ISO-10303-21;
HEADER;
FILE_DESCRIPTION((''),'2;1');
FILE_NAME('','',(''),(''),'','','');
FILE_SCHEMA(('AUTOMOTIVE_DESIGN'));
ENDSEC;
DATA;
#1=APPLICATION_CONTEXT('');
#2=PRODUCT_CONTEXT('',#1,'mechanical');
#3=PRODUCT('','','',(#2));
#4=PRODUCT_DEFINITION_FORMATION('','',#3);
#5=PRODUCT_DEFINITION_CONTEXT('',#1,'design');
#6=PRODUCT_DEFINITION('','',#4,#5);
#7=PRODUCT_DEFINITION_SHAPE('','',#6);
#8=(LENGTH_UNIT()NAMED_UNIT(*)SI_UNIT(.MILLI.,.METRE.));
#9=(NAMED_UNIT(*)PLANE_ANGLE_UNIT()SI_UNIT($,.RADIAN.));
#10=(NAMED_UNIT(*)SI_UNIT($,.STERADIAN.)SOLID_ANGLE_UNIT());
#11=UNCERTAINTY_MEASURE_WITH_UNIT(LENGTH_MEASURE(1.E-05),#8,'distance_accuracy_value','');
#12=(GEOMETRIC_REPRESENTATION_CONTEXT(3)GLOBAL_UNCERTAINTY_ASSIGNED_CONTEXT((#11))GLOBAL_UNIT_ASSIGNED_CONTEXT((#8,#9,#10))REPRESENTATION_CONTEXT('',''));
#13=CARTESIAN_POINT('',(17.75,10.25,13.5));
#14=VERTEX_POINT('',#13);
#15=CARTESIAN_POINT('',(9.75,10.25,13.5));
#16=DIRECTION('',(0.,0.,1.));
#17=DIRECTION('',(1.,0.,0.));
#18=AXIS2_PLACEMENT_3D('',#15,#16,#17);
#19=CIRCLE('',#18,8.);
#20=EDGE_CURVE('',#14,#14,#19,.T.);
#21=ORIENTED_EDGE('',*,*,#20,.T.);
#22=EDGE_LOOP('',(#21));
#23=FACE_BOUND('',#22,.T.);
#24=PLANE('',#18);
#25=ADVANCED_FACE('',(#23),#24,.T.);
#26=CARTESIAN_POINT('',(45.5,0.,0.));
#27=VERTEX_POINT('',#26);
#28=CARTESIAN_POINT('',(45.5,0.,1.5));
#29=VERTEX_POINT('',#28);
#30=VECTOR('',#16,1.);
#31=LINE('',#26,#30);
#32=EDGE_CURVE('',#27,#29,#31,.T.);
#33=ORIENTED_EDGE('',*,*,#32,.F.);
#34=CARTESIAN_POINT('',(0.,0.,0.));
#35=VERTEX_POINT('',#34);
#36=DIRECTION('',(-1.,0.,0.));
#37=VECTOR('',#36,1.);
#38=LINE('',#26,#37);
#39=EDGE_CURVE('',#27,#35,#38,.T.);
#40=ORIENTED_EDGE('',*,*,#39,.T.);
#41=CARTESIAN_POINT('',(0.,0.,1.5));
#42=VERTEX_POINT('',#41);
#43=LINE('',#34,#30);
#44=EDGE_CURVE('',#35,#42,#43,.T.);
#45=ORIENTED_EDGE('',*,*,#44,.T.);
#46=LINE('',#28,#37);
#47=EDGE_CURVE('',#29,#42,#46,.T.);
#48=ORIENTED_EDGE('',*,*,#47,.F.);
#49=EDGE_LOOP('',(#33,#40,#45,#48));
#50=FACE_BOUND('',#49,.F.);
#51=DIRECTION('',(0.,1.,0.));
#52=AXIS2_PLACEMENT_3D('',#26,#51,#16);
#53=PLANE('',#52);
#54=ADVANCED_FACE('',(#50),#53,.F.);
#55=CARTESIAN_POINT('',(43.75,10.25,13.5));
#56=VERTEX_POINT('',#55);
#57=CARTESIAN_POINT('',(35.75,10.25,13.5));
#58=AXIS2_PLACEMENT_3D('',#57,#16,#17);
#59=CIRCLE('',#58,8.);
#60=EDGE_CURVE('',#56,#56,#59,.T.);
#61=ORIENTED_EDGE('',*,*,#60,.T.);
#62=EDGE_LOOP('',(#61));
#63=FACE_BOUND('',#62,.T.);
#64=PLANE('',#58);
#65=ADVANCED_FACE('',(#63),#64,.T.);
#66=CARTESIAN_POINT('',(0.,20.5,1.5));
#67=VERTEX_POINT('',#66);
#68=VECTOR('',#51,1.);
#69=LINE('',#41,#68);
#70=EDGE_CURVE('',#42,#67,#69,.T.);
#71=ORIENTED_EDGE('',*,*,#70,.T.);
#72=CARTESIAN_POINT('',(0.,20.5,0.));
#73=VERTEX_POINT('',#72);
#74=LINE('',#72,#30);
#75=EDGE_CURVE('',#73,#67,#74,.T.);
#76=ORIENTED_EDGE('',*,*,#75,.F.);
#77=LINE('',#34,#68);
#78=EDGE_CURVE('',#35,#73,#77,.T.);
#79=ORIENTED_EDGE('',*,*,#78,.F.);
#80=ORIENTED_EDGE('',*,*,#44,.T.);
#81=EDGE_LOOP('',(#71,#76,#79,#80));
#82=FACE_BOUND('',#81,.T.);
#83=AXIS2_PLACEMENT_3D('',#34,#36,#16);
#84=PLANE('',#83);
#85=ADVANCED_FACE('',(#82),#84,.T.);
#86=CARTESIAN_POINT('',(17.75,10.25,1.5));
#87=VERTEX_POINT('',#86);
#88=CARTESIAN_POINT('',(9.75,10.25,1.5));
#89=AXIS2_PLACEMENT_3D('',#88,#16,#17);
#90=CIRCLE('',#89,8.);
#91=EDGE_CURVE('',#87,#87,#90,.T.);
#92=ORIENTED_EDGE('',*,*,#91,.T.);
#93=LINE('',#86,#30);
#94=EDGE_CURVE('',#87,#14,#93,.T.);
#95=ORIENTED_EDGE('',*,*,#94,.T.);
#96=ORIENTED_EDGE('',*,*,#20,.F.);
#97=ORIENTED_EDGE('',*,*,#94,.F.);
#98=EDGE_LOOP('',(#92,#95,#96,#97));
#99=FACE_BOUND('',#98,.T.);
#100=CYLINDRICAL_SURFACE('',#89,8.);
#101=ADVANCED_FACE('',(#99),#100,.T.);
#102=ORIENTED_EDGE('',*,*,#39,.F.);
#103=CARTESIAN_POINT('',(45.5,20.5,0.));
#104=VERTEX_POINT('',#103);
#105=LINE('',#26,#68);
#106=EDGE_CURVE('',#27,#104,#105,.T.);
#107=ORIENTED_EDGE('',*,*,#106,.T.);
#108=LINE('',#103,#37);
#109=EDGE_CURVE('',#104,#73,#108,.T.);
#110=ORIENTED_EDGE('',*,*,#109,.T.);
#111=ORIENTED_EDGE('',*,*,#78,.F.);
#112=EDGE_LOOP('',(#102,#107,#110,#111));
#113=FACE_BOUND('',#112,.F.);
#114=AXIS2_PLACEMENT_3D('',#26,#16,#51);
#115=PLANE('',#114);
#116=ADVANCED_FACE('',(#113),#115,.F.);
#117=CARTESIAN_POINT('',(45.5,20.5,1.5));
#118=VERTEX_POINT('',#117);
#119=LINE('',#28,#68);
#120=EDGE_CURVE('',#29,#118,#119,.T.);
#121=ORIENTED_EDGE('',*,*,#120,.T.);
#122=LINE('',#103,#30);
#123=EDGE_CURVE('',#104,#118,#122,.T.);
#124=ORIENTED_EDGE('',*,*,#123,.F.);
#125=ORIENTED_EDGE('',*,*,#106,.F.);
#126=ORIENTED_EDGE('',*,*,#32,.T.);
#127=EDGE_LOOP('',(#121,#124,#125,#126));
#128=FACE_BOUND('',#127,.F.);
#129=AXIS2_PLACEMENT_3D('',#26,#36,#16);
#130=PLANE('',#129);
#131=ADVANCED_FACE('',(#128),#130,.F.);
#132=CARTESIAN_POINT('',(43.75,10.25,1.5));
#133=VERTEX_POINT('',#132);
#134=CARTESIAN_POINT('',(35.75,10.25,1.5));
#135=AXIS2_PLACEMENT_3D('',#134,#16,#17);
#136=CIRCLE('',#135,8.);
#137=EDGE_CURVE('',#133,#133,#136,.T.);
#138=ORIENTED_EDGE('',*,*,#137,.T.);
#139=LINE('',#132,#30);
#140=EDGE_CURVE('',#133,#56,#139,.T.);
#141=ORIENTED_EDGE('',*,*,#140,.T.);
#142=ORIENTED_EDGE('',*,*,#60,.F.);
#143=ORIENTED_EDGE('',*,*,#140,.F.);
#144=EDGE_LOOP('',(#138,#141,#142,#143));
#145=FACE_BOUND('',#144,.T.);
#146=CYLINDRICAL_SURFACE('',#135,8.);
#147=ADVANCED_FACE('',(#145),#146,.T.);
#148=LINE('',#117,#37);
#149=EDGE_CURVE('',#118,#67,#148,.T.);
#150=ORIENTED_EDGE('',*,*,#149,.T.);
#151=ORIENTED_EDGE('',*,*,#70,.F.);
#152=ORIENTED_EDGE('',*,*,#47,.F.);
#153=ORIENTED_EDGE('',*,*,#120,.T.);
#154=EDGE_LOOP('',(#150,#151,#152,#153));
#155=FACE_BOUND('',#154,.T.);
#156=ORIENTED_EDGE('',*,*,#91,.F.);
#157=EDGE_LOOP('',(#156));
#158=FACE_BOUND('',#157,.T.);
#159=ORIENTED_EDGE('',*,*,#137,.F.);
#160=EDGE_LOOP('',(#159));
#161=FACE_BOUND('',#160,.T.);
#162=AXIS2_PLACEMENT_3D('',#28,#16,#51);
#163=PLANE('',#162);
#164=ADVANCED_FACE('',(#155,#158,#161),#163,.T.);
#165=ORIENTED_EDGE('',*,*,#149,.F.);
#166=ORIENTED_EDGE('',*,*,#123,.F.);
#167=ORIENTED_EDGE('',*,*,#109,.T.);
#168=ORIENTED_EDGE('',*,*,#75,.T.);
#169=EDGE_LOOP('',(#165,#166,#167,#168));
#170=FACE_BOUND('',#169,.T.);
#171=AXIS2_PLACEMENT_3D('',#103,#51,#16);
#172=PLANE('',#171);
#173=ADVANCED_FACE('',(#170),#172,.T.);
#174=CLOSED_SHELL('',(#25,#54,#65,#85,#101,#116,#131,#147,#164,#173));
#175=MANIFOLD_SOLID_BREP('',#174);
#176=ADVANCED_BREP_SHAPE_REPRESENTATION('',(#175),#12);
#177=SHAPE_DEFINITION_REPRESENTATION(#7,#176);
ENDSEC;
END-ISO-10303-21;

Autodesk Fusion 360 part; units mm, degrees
box "BoxPrimitive1" add length 20.5 width 45.5 height 1.5 placed x (0, 1, 0) y (-1, 0, 0) z (0, 0, 1) at (45.5, 0, 0)
sketch "Sketch2" plane through (0, 0, 1.5) normal (0, 0, 1) x (-1, 0, 0)
  line L0 (-45.5, -20.5) -> (0, -20.5)
  line L1 (0, -20.5) -> (0, 0)
  line L2 (0, 0) -> (-45.5, 0)
  line L3 (-45.5, 0) -> (-45.5, -20.5)
  line L4 (-45.5, -20.5) -> (-35.75, -20.5)
  line L5 (-35.75, -20.5) -> (-35.75, -10.25)
  line L6 (0, -20.5) -> (-9.75, -20.5)
  line L7 (-9.75, -20.5) -> (-9.75, -10.25)
  dimension "d6" = 9.75
  dimension "d7" = 10.25
  dimension "d10" = 9.75
  dimension "d11" = 10.25
cylinder "CylinderPrimitive1" add diameter 16 height 12 placed x (1, 0, 0) y (0, 1, 0) z (0, 0, 1) at (35.75, 10.25, 1.5)
cylinder "CylinderPrimitive2" add diameter 16 height 12 placed x (1, 0, 0) y (0, 1, 0) z (0, 0, 1) at (9.75, 10.25, 1.5)
